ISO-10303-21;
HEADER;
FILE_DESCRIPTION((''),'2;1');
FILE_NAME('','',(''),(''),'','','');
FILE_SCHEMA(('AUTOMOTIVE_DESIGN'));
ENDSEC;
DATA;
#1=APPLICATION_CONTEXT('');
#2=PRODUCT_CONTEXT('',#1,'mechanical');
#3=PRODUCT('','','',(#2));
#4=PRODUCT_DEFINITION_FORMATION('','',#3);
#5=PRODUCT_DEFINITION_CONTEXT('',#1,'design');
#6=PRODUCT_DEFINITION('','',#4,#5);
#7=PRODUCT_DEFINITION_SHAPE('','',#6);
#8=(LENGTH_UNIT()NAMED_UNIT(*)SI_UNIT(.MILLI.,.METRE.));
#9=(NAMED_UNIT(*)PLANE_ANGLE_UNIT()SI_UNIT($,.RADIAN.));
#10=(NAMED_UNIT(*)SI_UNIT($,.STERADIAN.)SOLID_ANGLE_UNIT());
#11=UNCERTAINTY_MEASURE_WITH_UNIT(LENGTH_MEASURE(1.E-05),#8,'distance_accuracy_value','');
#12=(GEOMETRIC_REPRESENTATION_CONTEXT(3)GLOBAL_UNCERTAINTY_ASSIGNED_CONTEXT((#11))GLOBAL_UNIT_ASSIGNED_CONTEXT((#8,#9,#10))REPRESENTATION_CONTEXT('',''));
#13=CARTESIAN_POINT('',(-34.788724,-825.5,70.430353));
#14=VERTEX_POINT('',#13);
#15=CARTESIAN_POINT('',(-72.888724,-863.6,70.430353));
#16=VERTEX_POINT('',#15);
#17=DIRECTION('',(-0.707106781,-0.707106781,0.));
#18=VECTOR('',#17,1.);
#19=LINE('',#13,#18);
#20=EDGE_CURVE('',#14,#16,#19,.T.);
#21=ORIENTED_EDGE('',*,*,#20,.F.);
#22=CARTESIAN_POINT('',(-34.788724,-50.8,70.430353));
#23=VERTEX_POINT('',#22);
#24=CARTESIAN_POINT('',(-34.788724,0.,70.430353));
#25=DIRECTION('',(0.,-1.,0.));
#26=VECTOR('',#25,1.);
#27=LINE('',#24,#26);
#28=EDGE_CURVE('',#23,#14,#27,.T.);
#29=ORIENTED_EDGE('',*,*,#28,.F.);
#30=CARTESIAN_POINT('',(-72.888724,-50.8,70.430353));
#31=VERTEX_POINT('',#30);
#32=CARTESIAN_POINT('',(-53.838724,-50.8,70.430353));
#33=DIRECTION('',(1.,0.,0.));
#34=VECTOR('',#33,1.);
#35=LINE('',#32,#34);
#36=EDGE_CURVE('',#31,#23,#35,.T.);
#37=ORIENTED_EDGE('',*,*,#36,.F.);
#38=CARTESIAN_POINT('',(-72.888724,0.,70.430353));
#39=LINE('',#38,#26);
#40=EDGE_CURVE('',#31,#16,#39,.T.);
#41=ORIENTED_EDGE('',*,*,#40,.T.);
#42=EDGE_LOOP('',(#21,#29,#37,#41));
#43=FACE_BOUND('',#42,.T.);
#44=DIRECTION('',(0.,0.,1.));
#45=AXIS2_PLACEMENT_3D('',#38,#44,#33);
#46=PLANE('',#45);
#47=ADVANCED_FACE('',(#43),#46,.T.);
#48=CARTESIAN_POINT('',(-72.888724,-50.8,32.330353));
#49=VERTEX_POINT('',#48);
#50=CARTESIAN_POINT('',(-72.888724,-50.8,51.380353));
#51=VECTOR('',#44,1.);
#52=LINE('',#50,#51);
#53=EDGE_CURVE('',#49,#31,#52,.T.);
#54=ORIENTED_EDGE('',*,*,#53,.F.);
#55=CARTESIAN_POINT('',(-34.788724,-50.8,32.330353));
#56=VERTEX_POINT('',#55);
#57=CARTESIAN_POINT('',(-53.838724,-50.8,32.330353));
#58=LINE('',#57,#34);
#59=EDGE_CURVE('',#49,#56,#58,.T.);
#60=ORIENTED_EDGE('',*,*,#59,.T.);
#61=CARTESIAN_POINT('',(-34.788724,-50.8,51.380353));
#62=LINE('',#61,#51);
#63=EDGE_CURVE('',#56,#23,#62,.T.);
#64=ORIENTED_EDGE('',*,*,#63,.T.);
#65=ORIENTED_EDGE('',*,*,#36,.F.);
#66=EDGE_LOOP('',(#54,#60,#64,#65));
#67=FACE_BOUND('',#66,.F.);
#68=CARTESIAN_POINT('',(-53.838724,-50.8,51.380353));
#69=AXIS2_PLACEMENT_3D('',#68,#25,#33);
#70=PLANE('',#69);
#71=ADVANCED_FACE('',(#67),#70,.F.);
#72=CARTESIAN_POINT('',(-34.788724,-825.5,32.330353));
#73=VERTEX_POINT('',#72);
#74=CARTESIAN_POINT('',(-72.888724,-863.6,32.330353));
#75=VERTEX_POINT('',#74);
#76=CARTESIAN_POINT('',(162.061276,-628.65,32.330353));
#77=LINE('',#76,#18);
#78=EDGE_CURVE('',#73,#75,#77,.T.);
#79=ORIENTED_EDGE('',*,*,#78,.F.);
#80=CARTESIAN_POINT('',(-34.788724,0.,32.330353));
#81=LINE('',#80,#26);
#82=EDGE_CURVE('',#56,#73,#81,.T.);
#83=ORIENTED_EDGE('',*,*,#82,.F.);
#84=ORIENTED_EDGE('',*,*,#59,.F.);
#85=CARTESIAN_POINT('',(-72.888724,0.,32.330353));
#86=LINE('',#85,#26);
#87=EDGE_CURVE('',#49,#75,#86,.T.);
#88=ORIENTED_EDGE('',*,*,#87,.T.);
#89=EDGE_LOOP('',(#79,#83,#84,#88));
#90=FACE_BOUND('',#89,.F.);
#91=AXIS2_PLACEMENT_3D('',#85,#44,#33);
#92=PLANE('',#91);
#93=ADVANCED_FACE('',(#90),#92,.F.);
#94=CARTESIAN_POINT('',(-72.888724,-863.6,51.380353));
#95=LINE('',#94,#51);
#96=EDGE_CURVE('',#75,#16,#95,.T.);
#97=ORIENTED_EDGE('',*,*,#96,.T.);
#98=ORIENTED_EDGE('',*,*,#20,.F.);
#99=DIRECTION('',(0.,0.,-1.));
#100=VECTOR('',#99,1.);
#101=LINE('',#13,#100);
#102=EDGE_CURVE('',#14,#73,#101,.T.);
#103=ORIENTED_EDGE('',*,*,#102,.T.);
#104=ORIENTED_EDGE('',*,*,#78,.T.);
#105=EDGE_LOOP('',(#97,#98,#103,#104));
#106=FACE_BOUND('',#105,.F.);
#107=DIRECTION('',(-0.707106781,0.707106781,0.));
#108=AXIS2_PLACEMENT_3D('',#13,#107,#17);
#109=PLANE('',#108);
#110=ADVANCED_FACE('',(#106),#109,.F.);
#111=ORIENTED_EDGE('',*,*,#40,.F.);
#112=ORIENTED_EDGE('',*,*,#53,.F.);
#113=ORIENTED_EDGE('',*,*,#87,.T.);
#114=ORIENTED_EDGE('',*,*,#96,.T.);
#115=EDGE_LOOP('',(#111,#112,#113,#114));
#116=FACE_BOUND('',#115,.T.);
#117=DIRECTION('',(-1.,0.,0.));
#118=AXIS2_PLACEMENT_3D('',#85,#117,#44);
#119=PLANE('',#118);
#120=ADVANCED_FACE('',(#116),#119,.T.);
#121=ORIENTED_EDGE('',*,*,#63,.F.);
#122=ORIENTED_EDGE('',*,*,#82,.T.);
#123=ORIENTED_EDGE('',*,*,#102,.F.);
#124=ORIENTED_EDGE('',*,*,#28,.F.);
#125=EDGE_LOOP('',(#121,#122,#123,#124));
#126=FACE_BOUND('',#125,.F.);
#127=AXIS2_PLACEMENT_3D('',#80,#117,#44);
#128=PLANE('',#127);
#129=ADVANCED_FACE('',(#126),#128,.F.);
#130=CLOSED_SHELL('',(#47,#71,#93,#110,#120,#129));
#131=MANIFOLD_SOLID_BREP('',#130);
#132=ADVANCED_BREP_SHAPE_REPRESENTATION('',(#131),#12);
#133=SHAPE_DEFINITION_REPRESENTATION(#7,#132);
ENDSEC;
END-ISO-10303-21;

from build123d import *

# Parameters (mm, degrees)
F0_W     = 38.1
F0_H     = 38.1
F1_DEPTH = 863.6
F3_DEPTH = 50.8
F4_DEPTH = 50.8


with BuildPart() as f1:
    # F0 (on Front) → F1 (new body)
    with BuildSketch(Plane.XZ):
        with Locations((-53.838724035, 51.380352813)):
            Rectangle(F0_W, F0_H)
    extrude(amount=F1_DEPTH)

    # F2 (on face) → F3 (cut)
    with BuildSketch(Plane.XY.offset(70.430352813)):
        Polygon((-34.788724035, -825.5), (-72.888724035, -863.6), (-34.788724035, -863.6), align=None)
    extrude(amount=-F3_DEPTH, mode=Mode.SUBTRACT)

    # F4 (cut): a face of the model
    f4_faces = [f1.faces().sort_by_distance(p)[0] for p in [
        (-53.838724035, 0, 51.380352813),
    ]]
    extrude(f4_faces, amount=-F4_DEPTH, mode=Mode.SUBTRACT)


solid = f1.part
